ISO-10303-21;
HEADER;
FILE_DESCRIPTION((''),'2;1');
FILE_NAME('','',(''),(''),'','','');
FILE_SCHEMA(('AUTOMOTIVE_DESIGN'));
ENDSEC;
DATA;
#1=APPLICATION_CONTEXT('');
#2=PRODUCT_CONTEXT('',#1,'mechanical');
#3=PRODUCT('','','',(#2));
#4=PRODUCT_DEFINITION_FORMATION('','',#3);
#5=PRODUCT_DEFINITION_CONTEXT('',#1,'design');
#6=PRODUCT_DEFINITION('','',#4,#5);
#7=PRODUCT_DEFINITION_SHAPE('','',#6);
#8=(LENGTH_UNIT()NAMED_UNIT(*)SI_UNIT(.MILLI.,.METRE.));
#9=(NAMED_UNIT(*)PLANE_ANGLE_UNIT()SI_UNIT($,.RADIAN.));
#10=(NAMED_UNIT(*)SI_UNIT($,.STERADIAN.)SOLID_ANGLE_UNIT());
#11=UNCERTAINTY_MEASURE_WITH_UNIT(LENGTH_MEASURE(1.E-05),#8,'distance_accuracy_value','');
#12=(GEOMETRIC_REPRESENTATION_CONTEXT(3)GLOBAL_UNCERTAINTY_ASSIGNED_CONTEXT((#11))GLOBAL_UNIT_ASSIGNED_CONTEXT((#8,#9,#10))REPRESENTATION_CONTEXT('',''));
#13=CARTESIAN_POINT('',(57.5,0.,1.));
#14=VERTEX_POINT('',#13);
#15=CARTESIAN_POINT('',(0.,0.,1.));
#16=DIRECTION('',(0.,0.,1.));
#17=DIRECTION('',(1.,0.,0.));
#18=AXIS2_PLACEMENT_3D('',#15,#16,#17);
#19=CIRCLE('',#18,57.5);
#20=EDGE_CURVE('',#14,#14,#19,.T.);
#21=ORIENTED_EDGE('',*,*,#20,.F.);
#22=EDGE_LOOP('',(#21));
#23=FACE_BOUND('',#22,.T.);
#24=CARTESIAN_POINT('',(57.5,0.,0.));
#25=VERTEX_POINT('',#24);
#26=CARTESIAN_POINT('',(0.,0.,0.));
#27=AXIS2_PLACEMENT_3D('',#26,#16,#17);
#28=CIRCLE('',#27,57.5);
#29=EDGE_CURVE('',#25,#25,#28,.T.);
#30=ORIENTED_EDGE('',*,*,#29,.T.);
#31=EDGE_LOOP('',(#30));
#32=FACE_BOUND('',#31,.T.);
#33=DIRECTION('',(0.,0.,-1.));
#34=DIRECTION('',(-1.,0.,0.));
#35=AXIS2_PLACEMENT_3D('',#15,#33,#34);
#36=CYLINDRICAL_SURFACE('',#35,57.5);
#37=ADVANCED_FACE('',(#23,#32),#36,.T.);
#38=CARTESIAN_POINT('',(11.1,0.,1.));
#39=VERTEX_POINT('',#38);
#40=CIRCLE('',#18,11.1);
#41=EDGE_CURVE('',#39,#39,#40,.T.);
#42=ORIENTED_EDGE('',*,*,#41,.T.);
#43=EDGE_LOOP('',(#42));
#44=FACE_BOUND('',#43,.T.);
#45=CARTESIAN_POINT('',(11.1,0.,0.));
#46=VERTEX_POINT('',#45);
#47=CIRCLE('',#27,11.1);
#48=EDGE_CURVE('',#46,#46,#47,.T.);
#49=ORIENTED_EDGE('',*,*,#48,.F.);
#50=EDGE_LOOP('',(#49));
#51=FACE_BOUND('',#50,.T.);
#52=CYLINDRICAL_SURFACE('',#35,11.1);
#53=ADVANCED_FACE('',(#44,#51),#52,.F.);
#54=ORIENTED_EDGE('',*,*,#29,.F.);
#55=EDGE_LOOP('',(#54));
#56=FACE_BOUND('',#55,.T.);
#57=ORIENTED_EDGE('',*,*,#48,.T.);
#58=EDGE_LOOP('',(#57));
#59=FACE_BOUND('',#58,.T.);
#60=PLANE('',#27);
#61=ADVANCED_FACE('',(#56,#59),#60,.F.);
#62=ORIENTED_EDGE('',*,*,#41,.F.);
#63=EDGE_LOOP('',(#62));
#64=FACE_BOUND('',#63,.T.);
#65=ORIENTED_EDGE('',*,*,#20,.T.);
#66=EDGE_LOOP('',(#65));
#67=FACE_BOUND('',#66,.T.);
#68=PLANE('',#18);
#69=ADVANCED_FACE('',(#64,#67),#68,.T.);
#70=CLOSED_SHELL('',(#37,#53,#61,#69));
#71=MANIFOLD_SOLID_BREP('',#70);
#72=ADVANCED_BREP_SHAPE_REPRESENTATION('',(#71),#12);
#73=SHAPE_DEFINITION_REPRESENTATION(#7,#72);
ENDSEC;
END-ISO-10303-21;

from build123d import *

# Parameters (mm, degrees)
SZKIC2_R                    = 57.5
SZKIC2_R_2                  = 11.1
DODANIE_WYCI_GNI_CIE1_DEPTH = 1


with BuildPart() as part:
    # Szkic2 → Dodanie-wyciągnięcie1 (new body)
    with BuildSketch(Plane.XY):
        Circle(SZKIC2_R)
        Circle(SZKIC2_R_2, mode=Mode.SUBTRACT)
    extrude(amount=DODANIE_WYCI_GNI_CIE1_DEPTH)


solid = part.part
